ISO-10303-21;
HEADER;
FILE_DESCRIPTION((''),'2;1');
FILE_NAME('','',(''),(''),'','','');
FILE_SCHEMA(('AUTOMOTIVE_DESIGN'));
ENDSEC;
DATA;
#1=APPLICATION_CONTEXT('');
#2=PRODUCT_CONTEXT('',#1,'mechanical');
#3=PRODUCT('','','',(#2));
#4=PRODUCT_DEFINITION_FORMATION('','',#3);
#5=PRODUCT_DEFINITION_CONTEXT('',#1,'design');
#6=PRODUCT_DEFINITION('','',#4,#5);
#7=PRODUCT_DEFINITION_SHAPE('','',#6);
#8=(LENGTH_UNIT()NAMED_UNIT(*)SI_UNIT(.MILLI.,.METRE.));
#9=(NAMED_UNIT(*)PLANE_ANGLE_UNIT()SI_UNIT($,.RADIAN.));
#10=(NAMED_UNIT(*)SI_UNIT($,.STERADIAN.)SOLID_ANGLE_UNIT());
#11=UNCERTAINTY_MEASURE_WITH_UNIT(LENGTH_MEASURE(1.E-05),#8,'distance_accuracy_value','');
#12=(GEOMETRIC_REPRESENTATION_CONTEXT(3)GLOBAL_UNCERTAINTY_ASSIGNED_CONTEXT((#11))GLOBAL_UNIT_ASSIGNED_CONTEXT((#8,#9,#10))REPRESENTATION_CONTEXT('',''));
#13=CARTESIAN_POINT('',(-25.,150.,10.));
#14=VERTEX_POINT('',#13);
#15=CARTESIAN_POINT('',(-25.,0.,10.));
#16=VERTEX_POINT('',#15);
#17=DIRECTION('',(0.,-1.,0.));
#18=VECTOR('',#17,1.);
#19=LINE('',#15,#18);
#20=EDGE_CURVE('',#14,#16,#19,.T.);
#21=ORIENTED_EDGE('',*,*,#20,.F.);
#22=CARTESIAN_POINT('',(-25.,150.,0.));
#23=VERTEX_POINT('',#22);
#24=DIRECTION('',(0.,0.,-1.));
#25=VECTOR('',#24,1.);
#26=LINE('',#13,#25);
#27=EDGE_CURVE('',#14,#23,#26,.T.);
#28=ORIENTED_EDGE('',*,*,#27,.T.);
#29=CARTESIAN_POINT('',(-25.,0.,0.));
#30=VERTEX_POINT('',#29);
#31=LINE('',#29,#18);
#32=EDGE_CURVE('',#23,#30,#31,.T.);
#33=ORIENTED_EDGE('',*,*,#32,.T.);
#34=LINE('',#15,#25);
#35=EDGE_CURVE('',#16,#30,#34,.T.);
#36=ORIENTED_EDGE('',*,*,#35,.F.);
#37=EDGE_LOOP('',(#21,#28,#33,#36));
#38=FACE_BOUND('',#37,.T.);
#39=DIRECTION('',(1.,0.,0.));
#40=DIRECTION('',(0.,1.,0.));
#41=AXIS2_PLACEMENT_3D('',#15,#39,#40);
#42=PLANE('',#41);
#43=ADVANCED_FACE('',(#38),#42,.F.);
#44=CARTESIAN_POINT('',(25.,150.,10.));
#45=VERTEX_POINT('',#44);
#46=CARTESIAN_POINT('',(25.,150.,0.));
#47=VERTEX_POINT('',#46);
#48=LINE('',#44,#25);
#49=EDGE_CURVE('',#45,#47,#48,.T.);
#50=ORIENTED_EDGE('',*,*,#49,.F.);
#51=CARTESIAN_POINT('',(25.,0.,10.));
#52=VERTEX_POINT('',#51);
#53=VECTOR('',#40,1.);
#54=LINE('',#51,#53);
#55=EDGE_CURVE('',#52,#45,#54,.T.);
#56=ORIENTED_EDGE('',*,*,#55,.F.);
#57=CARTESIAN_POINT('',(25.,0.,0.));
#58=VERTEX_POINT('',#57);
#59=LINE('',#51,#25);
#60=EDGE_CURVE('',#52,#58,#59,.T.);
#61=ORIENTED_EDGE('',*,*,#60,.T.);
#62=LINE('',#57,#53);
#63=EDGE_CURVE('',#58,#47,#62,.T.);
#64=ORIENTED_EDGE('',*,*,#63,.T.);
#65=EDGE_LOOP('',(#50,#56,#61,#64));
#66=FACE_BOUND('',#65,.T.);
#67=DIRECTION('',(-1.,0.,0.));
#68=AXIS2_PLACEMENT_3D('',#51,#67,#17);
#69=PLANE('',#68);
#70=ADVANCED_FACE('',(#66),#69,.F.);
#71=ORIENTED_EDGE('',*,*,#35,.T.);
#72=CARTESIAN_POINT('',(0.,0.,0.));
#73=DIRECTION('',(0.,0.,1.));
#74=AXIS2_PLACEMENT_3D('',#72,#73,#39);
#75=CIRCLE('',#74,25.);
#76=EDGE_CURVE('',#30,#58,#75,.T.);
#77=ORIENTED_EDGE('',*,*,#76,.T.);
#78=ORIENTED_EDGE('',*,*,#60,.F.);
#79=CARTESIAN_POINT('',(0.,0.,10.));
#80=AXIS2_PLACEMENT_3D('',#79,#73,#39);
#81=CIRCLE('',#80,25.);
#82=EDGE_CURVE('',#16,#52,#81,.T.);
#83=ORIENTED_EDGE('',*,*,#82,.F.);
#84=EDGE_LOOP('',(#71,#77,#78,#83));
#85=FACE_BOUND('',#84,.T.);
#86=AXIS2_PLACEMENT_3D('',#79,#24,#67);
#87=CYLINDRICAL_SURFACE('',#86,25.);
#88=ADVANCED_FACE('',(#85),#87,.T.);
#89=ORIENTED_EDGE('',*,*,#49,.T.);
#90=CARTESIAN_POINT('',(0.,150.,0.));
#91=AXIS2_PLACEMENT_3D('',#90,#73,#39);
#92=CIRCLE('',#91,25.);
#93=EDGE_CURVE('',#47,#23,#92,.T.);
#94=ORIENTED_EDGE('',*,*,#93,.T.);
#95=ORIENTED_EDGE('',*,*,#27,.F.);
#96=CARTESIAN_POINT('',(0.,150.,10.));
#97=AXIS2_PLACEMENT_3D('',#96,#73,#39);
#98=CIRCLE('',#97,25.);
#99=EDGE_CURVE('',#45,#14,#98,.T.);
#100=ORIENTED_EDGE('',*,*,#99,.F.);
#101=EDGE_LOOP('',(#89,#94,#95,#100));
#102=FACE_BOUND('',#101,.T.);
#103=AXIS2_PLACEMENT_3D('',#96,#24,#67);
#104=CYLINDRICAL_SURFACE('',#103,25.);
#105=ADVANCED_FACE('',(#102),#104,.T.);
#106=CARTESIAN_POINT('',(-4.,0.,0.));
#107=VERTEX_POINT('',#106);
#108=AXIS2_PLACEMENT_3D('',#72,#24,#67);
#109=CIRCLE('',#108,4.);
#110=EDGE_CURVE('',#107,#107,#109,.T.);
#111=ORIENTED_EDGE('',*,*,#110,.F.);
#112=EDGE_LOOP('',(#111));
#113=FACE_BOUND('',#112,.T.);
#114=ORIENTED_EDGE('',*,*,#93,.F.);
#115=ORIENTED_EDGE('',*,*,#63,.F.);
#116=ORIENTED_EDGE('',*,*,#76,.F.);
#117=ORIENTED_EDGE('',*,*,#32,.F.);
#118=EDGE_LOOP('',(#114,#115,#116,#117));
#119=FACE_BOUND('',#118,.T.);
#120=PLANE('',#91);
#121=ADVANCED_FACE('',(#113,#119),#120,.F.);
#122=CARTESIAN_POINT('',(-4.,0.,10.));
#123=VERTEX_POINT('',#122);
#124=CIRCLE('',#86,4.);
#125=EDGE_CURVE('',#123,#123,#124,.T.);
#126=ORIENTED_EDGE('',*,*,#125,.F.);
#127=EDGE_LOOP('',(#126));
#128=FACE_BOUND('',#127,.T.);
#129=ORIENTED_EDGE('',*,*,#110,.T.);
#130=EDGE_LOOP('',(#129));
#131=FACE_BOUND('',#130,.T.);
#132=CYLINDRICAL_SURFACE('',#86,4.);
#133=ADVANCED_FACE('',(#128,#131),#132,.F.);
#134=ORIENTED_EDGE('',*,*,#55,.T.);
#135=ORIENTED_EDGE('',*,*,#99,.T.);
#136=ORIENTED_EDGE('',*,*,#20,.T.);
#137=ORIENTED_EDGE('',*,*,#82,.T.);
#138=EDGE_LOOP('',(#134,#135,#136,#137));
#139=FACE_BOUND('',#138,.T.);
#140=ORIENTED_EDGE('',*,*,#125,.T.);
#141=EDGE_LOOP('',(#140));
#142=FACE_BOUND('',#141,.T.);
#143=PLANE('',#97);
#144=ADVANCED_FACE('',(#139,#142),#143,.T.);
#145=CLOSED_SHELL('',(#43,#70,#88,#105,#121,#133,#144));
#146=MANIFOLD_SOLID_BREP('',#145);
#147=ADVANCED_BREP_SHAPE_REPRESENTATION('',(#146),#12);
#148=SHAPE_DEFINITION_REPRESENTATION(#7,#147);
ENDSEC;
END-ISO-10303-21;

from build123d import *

# Parameters (mm, degrees)
BOSS_EXTRUDE1_DEPTH = 10
SKETCH3_R           = 4
CUT_EXTRUDE1_DEPTH  = 10


with BuildPart() as part:
    # Sketch2 → Boss-Extrude1 (new body)
    with BuildSketch(Plane.XY):
        with BuildLine():
            Line((25, 0), (25, 150))
            ThreePointArc((25, 150), (0, 175), (-25, 150))
            Line((-25, 150), (-25, 0))
            ThreePointArc((-25, 0), (0, -25), (25, 0))
        make_face()
    extrude(amount=BOSS_EXTRUDE1_DEPTH)

    # Sketch3 → Cut-Extrude1 (cut)
    with BuildSketch(Plane(origin=(0, 0, 0), x_dir=(-1, 0, 0), z_dir=(0, 0, -1))):
        Circle(SKETCH3_R)
    extrude(amount=-CUT_EXTRUDE1_DEPTH, mode=Mode.SUBTRACT)


solid = part.part
